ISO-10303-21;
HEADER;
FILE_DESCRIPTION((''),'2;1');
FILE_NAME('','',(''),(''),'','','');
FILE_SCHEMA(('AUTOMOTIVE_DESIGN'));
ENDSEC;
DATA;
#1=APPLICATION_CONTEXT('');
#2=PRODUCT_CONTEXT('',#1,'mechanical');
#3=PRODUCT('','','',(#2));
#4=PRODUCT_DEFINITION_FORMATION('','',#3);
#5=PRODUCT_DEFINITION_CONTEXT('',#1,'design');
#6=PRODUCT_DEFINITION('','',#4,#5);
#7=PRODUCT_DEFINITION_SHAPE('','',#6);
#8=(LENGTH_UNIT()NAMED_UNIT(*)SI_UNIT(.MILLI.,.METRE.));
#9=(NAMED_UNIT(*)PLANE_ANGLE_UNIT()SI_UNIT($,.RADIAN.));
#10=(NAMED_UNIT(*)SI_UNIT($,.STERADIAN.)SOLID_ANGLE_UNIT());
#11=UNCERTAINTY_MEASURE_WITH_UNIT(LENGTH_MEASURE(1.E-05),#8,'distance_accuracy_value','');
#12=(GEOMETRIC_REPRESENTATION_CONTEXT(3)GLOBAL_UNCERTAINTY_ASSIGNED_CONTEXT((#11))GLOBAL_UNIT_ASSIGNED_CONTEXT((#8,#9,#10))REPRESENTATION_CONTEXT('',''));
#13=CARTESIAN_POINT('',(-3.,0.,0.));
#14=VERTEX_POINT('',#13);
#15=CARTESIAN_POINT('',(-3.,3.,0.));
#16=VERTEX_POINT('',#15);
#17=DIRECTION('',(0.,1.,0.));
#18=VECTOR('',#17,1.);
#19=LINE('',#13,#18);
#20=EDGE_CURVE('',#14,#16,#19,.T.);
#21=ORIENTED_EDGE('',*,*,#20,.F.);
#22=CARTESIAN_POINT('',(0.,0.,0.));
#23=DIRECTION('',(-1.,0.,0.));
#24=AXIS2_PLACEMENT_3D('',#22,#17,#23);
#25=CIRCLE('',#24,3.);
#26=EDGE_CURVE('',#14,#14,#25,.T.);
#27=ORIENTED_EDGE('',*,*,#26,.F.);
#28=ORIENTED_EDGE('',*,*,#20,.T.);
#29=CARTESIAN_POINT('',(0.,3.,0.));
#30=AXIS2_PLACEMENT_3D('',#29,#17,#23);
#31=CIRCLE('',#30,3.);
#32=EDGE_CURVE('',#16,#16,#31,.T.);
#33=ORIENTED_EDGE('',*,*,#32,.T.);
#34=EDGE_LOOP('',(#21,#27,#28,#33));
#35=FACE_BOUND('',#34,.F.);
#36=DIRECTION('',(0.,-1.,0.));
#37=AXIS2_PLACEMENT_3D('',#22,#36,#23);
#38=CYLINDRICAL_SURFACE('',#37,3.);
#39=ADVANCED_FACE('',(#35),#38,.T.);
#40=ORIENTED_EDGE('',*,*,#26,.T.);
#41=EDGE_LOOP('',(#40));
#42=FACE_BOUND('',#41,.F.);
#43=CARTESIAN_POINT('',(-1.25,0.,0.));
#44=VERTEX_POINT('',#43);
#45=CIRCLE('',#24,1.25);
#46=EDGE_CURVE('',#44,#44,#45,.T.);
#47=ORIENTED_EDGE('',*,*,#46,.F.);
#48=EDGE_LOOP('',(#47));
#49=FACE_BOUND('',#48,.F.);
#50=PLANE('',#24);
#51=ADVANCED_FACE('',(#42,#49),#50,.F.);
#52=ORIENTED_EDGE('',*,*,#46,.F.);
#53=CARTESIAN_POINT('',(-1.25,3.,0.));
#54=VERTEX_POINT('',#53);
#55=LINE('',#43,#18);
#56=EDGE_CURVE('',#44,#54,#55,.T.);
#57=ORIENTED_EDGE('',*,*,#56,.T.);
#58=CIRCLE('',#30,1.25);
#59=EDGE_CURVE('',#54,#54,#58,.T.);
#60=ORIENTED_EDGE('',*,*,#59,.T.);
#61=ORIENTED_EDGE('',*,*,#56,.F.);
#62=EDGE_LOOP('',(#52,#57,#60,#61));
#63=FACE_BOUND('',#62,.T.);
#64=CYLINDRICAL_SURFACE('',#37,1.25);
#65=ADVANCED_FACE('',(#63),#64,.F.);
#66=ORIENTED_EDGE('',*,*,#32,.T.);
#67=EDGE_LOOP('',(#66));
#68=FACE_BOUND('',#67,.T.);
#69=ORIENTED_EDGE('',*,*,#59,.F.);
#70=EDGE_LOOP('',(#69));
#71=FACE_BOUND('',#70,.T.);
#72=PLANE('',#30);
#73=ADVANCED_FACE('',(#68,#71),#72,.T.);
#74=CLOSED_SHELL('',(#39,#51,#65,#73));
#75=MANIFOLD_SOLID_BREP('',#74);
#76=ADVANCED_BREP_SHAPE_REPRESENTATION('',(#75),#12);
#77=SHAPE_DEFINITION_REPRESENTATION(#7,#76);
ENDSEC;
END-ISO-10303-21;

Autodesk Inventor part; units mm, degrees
ref_plane "YZ Plane" through (0, 0, 0) normal (1, 0, 0) x (0, 1, 0)
ref_plane "XZ Plane" through (0, 0, 0) normal (0, 1, 0) x (-1, 0, 0)
ref_plane "XY Plane" through (0, 0, 0) normal (0, 0, 1) x (1, 0, 0)
sketch "Sketch1" plane through (0, 0, 0) normal (0, 1, 0) x (-1, 0, 0)
  circle A0 centre (0, 0) radius 1.25
  circle A1 centre (0, 0) radius 3
  dimension "d0" = 2.5
  dimension "d1" = 6
extrude "Extrusion1" add sketch "Sketch1" along normal blind 3
properties part number "Jetson_Standoff"
